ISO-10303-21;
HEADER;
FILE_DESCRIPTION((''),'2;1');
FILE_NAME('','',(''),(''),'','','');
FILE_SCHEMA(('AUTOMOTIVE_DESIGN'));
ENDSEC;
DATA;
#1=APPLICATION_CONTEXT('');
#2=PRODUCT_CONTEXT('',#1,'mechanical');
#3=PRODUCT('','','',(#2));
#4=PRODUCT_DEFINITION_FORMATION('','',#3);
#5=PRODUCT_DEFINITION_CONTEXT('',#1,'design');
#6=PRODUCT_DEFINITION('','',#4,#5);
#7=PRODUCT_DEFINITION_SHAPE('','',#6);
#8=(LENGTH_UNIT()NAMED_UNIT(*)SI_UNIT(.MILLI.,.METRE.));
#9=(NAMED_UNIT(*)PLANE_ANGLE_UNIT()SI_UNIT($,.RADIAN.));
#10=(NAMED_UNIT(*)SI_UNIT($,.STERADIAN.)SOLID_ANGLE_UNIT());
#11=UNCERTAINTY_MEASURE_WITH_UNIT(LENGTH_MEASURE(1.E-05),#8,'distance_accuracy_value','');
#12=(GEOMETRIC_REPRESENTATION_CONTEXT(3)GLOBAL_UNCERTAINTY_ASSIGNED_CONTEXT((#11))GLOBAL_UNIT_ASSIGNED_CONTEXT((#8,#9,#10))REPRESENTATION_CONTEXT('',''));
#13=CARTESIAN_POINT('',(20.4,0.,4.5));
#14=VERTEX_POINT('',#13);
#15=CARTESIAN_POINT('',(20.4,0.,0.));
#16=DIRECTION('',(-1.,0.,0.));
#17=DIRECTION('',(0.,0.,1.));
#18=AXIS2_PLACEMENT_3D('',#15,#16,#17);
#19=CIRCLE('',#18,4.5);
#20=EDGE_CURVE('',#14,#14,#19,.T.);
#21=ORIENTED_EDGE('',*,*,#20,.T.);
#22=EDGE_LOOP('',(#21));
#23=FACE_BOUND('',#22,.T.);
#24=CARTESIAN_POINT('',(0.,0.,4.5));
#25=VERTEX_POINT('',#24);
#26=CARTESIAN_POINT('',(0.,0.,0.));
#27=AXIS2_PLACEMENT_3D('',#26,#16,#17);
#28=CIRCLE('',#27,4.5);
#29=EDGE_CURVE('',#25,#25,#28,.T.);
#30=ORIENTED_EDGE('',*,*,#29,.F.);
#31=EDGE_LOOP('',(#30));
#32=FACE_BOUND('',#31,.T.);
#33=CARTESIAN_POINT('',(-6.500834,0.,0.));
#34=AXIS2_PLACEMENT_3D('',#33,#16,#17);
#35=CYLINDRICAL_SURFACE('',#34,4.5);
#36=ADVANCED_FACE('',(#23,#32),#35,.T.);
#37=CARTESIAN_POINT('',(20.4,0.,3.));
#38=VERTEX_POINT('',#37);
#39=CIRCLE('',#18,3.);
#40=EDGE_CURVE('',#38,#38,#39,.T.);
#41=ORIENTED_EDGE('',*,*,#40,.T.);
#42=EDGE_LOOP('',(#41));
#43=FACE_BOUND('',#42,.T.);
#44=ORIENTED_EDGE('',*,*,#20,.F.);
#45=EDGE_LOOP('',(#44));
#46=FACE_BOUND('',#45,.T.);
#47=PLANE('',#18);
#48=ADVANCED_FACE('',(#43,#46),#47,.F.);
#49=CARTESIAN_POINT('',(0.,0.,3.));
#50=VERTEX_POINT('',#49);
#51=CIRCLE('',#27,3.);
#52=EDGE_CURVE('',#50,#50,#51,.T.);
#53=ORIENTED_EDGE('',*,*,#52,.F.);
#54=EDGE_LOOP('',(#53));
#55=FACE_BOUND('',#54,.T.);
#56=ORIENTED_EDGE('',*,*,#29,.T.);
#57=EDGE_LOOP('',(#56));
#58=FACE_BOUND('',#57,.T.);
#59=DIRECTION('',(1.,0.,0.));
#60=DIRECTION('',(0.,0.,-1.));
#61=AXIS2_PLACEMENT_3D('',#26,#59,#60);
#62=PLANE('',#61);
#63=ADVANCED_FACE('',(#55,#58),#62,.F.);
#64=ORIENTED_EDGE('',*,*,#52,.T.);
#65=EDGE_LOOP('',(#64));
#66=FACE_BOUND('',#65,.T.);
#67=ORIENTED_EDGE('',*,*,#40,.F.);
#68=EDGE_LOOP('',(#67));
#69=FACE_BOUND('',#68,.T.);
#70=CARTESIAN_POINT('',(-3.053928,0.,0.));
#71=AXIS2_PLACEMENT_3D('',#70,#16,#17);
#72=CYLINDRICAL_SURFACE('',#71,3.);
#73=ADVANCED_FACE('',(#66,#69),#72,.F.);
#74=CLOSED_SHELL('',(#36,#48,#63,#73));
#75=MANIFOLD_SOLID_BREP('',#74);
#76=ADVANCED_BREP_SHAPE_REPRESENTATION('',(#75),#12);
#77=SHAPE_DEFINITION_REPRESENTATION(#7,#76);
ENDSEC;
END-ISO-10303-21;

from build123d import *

# Parameters (mm, degrees)
SKETCH1_W = 20.4
SKETCH1_H = 4.5
SKETCH2_W = 20.4
SKETCH2_H = 3


with BuildPart() as part:
    # Sketch1 → Revolve1 (revolve)
    with BuildSketch(Plane.XY, mode=Mode.PRIVATE) as revolve1_sk:
        with Locations((10.2, 2.25)):
            Rectangle(SKETCH1_W, SKETCH1_H)
    revolve(revolve1_sk.sketch.rotate(Axis((-6.500834374, 0, 0), (1, 0, 0)), 90), axis=Axis((-6.500834374, 0, 0), (1, 0, 0)))

    # Sketch2 → Cut-Revolve1 (revolve, cut)
    with BuildSketch(Plane.XY, mode=Mode.PRIVATE) as cut_revolve1_sk:
        with Locations((10.2, 1.5)):
            Rectangle(SKETCH2_W, SKETCH2_H)
    revolve(cut_revolve1_sk.sketch.rotate(Axis((-3.053927559, 0, 0), (1, 0, 0)), 90), axis=Axis((-3.053927559, 0, 0), (1, 0, 0)), mode=Mode.SUBTRACT)


solid = part.part
